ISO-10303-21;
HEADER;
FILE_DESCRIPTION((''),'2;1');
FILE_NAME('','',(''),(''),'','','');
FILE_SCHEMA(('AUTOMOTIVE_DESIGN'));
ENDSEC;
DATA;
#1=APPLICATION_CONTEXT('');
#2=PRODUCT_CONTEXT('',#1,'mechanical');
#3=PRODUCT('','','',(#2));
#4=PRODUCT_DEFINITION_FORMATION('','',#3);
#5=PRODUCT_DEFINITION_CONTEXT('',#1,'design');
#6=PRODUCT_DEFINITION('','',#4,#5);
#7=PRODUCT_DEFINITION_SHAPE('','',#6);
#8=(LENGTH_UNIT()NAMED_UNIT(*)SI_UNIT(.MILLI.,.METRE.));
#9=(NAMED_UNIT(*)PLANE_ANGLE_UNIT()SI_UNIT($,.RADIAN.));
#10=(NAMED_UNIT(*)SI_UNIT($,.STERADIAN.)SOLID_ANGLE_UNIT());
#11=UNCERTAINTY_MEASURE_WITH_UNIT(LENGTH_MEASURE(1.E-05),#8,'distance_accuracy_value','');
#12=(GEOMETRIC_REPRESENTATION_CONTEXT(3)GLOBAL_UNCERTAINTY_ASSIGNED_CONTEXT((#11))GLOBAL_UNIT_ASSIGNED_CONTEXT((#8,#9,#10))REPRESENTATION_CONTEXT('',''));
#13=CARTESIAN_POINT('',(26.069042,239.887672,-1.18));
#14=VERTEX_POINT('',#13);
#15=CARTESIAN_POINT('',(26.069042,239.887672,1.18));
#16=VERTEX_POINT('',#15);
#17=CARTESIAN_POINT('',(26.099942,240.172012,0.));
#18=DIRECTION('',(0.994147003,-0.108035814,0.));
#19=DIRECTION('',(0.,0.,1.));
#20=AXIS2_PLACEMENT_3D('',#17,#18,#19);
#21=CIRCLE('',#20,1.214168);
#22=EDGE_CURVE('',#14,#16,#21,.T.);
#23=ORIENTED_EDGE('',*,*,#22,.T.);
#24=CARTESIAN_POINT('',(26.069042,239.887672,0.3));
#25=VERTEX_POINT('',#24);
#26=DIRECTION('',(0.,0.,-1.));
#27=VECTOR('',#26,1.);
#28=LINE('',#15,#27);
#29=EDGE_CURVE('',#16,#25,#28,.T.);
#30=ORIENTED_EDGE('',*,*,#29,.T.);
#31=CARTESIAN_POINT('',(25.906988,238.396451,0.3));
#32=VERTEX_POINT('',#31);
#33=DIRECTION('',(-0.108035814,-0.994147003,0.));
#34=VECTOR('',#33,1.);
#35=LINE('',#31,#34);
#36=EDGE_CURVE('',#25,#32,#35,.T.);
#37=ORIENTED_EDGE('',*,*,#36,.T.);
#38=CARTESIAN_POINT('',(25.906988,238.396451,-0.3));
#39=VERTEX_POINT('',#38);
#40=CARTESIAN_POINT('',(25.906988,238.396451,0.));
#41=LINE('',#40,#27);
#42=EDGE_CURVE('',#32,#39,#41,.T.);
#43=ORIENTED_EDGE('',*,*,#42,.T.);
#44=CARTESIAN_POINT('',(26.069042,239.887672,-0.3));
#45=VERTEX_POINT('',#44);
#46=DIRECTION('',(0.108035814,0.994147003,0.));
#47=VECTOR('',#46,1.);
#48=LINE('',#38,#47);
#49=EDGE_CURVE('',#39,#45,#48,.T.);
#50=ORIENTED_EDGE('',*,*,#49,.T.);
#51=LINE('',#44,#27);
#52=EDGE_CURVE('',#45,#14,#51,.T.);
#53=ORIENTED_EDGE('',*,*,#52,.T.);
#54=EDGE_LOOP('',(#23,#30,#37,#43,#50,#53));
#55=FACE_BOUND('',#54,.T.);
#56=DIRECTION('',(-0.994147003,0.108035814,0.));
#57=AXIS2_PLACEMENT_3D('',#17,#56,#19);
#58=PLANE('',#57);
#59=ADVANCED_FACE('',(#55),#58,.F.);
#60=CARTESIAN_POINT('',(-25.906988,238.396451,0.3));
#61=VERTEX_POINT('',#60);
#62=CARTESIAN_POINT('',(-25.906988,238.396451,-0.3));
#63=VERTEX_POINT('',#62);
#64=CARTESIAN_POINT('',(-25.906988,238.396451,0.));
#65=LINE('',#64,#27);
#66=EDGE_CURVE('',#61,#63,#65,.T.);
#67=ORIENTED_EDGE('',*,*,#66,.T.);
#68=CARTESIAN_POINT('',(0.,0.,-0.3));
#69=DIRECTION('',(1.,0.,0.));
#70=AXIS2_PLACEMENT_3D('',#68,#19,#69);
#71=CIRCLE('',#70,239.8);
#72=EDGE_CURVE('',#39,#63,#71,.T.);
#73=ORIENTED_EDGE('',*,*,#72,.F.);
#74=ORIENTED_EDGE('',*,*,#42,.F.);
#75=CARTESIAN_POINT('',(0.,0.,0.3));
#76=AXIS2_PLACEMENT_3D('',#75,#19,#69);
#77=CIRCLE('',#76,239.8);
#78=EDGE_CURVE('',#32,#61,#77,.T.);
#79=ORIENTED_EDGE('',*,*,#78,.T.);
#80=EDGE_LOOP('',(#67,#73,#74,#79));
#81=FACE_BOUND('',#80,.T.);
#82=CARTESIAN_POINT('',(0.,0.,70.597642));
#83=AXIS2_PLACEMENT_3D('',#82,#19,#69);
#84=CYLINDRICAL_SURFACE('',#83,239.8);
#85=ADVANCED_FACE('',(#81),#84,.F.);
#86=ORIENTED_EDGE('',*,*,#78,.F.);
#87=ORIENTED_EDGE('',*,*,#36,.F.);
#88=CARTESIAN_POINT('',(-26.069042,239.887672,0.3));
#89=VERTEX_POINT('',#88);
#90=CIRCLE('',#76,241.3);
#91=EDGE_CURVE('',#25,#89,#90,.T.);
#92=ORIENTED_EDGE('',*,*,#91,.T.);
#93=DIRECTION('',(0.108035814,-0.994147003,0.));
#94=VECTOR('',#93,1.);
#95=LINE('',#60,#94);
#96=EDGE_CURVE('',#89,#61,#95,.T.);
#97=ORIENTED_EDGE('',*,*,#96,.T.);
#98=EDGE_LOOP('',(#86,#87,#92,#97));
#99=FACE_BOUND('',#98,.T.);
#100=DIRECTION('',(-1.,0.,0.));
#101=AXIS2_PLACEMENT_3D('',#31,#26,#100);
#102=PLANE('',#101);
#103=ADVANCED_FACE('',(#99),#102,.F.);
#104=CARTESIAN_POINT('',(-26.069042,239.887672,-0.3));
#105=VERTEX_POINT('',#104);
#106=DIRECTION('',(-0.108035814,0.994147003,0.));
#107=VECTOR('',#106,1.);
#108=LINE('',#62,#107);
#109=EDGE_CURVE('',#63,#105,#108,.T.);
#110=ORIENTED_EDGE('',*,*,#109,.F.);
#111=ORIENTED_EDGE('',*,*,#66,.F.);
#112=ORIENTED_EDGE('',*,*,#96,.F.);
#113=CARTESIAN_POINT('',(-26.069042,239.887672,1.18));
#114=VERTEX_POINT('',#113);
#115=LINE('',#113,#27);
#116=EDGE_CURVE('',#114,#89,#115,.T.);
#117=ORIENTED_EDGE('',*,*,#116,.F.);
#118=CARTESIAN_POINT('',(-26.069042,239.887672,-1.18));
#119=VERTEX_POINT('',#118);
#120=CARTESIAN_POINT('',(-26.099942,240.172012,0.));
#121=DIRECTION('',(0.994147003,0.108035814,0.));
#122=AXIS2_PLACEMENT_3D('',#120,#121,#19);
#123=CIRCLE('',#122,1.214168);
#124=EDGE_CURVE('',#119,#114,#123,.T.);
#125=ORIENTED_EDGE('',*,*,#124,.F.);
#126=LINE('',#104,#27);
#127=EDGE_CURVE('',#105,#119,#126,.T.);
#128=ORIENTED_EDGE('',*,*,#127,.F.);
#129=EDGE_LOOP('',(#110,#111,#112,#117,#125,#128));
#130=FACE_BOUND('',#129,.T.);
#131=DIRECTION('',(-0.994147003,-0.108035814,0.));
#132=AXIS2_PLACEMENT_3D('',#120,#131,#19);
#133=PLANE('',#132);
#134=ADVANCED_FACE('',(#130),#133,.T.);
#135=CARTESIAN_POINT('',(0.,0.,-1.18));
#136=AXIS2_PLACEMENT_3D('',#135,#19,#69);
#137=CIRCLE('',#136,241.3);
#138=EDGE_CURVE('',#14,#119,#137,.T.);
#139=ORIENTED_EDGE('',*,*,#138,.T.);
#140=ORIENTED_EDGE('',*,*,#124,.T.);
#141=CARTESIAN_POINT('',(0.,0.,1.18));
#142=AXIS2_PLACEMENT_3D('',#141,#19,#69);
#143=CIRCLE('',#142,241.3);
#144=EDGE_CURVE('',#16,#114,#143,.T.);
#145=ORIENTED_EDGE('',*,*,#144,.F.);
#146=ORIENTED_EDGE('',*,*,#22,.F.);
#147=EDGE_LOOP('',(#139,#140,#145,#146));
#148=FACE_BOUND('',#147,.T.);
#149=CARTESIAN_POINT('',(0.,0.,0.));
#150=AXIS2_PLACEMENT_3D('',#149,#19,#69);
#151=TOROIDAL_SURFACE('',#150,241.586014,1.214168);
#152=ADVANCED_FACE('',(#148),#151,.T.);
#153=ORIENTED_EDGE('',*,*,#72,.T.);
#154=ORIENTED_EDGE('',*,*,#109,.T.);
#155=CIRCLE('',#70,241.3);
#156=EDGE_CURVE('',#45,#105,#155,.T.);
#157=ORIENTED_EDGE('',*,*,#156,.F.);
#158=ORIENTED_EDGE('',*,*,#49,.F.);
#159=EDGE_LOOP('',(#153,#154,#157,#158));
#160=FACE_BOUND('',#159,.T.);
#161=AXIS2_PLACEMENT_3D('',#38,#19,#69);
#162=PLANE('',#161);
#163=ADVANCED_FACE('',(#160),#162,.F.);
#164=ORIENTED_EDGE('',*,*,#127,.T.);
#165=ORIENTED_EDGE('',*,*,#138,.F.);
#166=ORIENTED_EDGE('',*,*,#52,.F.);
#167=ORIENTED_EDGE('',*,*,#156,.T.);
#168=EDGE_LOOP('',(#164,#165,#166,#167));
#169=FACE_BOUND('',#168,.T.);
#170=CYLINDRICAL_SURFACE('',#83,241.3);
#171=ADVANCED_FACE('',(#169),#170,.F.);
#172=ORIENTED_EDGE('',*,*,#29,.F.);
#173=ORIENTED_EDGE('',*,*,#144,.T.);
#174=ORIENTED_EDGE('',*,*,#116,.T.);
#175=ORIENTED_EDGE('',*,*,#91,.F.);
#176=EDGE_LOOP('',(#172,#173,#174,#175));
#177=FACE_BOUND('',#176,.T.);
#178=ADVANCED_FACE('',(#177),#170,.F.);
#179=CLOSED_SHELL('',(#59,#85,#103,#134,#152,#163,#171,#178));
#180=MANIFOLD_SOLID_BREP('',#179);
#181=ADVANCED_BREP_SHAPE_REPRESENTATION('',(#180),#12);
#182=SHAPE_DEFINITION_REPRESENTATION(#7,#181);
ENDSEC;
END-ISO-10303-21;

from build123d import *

# Parameters (mm, degrees)
REVOLVE1_ANGLE           = 6.202101222
REVOLVE1_OTHER_WAY_ANGLE = 6.202101222


with BuildPart() as part:
    # Sketch2 → Revolve1 (revolve)
    with BuildSketch(Plane(origin=(0, 0, 0), x_dir=(0, 0, -1), z_dir=(1, 0, 0))):
        with BuildLine():
            Line((0, 239.8), (0.3, 239.8))
            Line((0.3, 239.8), (0.3, 241.3))
            Line((0.3, 241.3), (1.18, 241.3))
            ThreePointArc((1.18, 241.3), (0, 242.800182019), (-1.18, 241.3))
            Line((-1.18, 241.3), (-0.3, 241.3))
            Line((-0.3, 241.3), (-0.3, 239.8))
            Line((-0.3, 239.8), (0, 239.8))
        make_face()
    revolve(axis=Axis((0, 0, 70.597641597), (0, 0, -1)), revolution_arc=REVOLVE1_ANGLE)

    # Sketch2 → Revolve1 other way (revolve)
    with BuildSketch(Plane(origin=(0, 0, 0), x_dir=(0, 0, -1), z_dir=(1, 0, 0))):
        with BuildLine():
            Line((0, 239.8), (0.3, 239.8))
            Line((0.3, 239.8), (0.3, 241.3))
            Line((0.3, 241.3), (1.18, 241.3))
            ThreePointArc((1.18, 241.3), (0, 242.800182019), (-1.18, 241.3))
            Line((-1.18, 241.3), (-0.3, 241.3))
            Line((-0.3, 241.3), (-0.3, 239.8))
            Line((-0.3, 239.8), (0, 239.8))
        make_face()
    revolve(axis=Axis((0, 0, 70.597641597), (0, 0, 1)), revolution_arc=REVOLVE1_OTHER_WAY_ANGLE)


solid = part.part
